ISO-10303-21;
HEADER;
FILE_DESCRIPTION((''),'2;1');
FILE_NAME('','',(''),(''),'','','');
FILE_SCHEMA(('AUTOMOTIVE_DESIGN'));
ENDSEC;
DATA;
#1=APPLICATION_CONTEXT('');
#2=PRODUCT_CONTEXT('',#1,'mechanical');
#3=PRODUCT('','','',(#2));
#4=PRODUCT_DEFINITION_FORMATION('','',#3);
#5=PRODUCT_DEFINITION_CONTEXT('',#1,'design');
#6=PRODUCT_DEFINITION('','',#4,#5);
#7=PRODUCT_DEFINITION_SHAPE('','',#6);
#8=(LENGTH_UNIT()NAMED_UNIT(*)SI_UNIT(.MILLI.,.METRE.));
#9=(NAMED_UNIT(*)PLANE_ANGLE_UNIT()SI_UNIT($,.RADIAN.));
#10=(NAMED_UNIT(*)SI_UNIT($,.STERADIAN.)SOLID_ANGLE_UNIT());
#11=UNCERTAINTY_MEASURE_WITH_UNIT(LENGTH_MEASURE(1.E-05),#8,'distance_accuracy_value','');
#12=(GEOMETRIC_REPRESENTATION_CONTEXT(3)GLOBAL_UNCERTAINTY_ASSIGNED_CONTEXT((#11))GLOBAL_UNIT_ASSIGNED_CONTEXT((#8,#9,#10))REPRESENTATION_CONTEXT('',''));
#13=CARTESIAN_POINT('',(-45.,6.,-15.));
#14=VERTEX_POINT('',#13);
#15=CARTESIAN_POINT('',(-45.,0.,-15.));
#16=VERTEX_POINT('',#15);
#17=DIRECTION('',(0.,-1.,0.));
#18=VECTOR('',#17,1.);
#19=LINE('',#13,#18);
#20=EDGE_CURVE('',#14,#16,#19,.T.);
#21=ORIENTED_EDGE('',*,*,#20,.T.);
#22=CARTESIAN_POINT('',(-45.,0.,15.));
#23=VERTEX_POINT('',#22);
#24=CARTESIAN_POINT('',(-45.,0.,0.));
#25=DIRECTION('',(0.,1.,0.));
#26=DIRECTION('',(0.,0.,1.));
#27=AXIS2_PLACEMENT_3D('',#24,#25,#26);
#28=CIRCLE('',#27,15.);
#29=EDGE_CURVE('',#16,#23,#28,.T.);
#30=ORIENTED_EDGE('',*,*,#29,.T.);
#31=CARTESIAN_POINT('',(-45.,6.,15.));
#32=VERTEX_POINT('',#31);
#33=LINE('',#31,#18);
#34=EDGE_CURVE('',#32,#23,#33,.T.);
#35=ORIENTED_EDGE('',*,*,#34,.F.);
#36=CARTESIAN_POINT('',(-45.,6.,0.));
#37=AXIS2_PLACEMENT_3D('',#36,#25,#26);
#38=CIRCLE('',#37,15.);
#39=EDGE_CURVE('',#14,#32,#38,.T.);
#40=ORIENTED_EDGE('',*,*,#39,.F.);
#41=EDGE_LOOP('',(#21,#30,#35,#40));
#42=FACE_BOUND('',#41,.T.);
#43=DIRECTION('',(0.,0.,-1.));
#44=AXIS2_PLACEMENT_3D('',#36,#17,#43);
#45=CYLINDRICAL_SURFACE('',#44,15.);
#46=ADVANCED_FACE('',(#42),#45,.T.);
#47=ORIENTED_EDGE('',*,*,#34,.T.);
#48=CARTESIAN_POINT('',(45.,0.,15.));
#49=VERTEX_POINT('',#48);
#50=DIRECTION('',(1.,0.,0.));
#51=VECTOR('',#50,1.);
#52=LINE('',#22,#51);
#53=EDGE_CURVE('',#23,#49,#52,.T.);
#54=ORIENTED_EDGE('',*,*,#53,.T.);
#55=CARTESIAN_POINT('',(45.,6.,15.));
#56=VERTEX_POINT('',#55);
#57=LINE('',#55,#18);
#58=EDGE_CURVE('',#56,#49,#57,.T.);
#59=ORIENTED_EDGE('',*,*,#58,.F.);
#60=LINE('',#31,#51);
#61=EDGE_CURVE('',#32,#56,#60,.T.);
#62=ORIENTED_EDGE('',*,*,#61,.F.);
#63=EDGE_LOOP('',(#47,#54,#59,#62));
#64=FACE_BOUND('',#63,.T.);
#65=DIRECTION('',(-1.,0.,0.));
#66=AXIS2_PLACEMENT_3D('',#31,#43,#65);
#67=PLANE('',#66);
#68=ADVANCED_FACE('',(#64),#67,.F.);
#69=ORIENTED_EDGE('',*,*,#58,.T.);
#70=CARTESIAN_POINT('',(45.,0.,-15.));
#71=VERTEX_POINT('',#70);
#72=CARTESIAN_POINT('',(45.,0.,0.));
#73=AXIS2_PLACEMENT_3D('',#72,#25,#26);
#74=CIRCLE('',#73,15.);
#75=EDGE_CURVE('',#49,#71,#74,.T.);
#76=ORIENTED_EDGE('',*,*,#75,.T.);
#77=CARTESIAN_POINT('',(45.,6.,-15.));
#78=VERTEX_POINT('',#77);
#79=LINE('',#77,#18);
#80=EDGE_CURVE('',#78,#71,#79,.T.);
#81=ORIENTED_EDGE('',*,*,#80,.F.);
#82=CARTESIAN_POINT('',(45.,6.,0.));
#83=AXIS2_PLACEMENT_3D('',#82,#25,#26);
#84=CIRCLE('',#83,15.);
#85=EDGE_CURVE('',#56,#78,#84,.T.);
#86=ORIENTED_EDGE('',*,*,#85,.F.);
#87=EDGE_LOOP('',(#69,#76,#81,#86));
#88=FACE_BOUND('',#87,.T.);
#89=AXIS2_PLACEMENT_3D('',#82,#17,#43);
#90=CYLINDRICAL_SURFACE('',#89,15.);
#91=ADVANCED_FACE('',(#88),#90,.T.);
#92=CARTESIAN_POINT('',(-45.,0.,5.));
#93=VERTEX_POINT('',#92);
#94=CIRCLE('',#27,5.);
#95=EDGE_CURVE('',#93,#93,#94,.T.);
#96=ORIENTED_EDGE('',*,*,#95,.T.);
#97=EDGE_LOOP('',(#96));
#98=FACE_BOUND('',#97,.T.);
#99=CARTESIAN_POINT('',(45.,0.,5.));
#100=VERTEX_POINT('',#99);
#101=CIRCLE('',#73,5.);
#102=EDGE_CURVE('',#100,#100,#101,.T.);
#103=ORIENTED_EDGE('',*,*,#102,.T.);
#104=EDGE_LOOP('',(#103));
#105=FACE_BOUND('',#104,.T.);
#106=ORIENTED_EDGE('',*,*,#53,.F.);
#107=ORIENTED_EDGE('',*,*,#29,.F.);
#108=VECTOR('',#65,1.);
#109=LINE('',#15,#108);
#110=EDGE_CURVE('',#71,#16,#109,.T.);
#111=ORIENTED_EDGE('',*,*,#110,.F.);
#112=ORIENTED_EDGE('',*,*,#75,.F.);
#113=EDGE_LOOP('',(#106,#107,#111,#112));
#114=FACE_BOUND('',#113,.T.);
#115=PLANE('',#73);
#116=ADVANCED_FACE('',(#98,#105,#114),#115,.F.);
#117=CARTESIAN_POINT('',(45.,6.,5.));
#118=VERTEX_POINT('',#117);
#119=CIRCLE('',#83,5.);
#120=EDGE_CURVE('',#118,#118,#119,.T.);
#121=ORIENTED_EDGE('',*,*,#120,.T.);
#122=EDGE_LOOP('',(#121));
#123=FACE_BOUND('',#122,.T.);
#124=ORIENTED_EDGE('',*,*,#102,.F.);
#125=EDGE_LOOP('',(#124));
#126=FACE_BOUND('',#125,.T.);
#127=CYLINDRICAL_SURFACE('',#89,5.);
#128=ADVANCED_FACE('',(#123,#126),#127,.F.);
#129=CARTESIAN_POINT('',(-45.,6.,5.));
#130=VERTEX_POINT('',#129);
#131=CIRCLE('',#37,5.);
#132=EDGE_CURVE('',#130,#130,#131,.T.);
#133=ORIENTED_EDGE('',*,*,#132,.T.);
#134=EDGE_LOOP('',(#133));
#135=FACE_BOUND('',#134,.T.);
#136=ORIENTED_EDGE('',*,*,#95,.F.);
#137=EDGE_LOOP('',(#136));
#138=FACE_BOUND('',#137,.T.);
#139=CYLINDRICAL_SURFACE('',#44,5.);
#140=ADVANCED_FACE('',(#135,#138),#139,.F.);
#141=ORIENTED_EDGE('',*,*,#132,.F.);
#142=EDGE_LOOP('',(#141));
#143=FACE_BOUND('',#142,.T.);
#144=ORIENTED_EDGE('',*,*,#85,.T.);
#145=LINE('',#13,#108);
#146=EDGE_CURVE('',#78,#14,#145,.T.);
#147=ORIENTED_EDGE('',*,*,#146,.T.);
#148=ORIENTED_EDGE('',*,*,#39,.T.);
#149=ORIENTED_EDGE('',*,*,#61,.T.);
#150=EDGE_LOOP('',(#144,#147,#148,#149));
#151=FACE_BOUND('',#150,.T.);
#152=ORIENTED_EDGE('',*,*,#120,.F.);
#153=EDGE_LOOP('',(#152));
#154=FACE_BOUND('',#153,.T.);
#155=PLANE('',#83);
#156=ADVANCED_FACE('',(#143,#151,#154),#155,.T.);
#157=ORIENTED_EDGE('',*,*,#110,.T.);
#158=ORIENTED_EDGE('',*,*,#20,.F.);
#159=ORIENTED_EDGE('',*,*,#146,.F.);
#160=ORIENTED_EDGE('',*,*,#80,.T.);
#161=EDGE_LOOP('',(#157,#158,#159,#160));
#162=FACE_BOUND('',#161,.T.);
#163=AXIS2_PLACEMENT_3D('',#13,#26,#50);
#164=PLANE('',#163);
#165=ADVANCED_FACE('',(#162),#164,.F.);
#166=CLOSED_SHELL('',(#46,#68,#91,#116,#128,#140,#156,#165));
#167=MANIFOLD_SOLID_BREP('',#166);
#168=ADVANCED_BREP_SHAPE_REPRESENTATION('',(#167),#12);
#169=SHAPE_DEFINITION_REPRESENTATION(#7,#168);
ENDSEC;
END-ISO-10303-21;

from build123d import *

# Parameters (mm, degrees)
SKETCH2_R           = 5
BOSS_EXTRUDE1_DEPTH = 6


with BuildPart() as part:
    # Sketch2 → Boss-Extrude1 (new body)
    with BuildSketch(Plane(origin=(0, 0, 0), x_dir=(1, 0, 0), z_dir=(0, 1, 0))):
        with BuildLine():
            Line((-45, 15), (45, 15))
            ThreePointArc((45, 15), (60, 0), (45, -15))
            Line((45, -15), (-45, -15))
            ThreePointArc((-45, -15), (-60, 0), (-45, 15))
        make_face()
        with Locations(Location((-45, 0, 0), (0, 0, 270))):
            Circle(SKETCH2_R, mode=Mode.SUBTRACT)
        with Locations(Location((45, 0, 0), (0, 0, 270))):
            Circle(SKETCH2_R, mode=Mode.SUBTRACT)
    extrude(amount=BOSS_EXTRUDE1_DEPTH)


solid = part.part
